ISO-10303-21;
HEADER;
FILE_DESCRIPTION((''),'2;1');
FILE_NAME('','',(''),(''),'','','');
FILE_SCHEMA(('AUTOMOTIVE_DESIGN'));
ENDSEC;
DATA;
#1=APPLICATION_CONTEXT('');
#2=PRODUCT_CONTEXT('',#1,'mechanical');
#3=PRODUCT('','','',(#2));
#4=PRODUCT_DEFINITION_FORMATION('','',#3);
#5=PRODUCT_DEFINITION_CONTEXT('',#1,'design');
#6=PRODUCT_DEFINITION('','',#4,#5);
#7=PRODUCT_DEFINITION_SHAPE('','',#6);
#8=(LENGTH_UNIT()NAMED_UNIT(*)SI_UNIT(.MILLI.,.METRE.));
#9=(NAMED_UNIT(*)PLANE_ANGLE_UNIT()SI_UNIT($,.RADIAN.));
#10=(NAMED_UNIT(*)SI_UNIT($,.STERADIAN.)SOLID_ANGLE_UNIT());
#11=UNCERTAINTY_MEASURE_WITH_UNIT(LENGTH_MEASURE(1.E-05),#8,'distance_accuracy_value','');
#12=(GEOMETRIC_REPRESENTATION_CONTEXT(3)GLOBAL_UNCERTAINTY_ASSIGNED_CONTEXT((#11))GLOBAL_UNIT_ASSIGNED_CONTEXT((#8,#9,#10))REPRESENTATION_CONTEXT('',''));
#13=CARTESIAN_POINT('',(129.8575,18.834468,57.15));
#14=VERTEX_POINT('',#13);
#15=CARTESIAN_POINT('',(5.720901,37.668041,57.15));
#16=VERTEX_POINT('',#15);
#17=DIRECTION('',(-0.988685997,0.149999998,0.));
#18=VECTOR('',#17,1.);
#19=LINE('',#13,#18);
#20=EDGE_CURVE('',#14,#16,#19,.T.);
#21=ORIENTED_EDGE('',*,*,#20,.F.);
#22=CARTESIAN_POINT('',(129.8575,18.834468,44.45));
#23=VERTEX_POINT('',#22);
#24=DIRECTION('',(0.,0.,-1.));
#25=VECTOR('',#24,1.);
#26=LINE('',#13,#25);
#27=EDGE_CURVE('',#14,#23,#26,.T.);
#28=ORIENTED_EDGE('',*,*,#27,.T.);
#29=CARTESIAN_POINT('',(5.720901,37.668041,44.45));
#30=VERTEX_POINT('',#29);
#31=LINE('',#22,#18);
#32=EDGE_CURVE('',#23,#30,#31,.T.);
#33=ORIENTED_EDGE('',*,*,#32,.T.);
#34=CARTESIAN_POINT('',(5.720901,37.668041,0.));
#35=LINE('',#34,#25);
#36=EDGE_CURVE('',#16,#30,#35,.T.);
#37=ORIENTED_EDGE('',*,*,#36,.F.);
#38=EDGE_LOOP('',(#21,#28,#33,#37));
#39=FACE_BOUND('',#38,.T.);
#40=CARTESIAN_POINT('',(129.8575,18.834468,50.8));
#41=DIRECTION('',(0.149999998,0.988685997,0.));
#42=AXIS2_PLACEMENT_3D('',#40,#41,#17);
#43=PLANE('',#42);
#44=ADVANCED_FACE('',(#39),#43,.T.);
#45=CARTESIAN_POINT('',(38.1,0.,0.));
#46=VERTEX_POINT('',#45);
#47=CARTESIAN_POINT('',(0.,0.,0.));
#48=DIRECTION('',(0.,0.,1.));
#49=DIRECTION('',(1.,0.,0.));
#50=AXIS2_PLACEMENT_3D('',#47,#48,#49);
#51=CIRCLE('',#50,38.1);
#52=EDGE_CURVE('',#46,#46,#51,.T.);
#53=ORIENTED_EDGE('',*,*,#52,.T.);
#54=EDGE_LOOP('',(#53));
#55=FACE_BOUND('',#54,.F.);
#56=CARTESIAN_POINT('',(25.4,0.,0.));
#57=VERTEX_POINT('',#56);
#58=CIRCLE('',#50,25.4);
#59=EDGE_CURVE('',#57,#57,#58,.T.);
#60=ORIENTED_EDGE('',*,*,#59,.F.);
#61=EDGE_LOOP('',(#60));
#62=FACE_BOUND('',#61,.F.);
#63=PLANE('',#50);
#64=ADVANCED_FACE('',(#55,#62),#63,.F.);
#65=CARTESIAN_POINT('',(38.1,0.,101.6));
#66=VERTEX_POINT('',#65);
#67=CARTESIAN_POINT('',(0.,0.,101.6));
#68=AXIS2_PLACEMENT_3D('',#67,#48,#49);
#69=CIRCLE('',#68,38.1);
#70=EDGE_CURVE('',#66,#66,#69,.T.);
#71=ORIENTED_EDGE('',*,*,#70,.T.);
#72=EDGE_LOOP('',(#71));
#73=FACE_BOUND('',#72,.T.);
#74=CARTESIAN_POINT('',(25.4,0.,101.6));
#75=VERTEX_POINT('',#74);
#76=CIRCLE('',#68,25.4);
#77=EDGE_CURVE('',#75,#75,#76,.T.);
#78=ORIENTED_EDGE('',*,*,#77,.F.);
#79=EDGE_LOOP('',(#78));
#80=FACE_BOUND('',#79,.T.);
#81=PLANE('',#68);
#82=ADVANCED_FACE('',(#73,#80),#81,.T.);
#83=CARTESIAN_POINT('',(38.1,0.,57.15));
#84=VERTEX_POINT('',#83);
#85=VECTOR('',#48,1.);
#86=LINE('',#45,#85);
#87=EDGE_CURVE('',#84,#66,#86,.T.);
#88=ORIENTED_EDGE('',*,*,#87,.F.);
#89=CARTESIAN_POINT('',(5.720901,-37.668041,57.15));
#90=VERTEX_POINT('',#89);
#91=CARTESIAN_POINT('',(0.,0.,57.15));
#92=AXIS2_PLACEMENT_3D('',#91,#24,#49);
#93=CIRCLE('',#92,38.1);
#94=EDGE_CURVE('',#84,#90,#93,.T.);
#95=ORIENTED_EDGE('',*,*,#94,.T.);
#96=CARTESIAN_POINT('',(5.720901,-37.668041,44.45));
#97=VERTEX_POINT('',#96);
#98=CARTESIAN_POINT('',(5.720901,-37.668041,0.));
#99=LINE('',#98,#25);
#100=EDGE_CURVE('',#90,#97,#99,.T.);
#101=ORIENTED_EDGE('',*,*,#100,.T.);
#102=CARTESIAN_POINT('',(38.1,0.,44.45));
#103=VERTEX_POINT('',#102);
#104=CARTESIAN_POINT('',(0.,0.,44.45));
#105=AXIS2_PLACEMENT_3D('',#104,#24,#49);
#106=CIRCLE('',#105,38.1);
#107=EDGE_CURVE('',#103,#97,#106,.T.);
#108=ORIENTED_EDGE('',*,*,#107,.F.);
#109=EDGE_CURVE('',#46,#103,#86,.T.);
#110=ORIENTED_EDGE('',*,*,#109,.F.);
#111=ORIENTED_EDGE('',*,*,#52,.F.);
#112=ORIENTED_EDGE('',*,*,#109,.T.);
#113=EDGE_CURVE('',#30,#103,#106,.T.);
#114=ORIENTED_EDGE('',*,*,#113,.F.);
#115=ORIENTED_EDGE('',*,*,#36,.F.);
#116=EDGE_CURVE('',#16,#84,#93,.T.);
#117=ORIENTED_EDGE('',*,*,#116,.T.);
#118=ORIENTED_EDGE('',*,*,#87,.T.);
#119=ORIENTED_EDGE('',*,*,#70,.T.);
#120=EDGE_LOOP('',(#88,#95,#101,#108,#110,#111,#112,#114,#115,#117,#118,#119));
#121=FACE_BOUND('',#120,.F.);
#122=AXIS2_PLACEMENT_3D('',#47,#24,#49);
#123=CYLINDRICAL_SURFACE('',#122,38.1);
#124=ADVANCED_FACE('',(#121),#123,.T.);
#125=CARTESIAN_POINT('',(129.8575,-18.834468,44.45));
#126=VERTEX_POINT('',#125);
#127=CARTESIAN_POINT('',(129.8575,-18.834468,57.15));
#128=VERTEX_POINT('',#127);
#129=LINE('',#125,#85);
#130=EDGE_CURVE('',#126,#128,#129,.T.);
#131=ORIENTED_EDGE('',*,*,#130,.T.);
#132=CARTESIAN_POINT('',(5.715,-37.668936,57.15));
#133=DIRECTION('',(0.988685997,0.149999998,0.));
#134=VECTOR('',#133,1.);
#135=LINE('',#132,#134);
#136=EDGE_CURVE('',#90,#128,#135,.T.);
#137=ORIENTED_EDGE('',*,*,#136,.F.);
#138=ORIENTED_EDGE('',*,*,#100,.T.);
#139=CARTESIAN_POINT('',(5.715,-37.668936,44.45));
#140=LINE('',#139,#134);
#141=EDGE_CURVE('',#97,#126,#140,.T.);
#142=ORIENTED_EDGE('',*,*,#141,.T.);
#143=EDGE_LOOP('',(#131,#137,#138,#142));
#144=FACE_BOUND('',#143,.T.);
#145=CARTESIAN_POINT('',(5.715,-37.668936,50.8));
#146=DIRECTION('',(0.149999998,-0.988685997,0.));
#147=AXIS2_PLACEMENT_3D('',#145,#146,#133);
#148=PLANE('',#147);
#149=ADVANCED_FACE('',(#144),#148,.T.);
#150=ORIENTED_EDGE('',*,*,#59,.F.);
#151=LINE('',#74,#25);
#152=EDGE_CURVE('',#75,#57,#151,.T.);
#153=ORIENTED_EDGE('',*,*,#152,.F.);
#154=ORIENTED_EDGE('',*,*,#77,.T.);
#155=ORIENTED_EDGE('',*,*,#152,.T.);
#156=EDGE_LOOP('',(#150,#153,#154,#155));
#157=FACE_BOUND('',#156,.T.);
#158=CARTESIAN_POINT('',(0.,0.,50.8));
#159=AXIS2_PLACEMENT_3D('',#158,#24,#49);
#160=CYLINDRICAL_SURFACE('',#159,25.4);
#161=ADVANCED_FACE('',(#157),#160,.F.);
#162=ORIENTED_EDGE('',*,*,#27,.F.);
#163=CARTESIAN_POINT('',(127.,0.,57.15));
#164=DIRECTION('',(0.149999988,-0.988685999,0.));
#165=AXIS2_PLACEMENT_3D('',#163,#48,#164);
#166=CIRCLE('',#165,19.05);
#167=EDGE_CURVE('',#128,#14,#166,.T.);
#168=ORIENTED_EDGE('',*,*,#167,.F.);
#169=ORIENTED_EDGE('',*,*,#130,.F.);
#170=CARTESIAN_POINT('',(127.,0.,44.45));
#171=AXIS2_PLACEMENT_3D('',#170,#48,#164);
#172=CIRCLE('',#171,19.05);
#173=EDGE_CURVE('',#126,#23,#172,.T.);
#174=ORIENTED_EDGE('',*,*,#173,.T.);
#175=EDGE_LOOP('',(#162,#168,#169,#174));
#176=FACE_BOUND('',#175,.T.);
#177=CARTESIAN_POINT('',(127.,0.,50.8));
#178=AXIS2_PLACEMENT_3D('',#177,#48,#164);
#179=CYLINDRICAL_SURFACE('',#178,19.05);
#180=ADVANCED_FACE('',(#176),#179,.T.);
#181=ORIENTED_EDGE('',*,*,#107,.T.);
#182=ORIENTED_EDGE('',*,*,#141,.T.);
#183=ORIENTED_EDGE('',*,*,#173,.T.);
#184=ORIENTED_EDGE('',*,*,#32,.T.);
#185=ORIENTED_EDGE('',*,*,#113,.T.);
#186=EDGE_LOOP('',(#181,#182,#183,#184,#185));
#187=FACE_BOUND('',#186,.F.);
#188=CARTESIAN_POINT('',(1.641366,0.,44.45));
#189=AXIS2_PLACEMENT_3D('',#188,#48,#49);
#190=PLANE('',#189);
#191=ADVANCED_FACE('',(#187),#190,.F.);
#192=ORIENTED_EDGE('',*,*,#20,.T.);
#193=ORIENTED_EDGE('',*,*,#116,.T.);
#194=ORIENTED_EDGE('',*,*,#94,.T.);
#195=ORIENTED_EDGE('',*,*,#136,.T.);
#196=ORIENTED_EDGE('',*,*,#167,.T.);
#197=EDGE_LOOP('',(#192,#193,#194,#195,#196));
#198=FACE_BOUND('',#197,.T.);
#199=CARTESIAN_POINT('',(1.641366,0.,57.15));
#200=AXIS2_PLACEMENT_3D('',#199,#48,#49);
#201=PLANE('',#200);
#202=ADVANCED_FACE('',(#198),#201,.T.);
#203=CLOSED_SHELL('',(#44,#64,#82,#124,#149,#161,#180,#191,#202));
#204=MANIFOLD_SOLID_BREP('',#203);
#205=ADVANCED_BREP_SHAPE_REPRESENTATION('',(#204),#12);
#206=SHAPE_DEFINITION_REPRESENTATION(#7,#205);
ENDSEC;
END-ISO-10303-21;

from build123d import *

# Parameters (mm, degrees)
F0_R     = 38.1
F0_R_2   = 25.4
F1_DEPTH = 101.6
F3_R     = 25.4
F4_DEPTH = 6.35


with BuildPart() as f1:
    # F0 (on Top) → F1 (new body)
    with BuildSketch(Plane.XY):
        Circle(F0_R)
        Circle(F0_R_2, mode=Mode.SUBTRACT)
    extrude(amount=F1_DEPTH)

    # F3 (on offset) → F4 (join, symmetric)
    with BuildSketch(Plane.XY.offset(50.8)):
        with BuildLine():
            ThreePointArc((5.715, -37.668936), (28.890755, -24.838161), (38.1, 0))
            ThreePointArc((38.1, 0), (28.890755, 24.838161), (5.715, 37.668936))
            ThreePointArc((5.715, 37.668936), (-38.1, 0), (5.715, -37.668936))
        make_face()
        Circle(F3_R, mode=Mode.SUBTRACT)
        with BuildLine():
            ThreePointArc((5.715, 37.668936), (28.890755, 24.838161), (38.1, 0))
            ThreePointArc((38.1, 0), (28.890755, -24.838161), (5.715, -37.668936))
            Line((5.715, -37.668936), (129.8575, -18.834468))
            ThreePointArc((129.8575, -18.834468), (146.05, 0), (129.8575, 18.834468))
            Line((129.8575, 18.834468), (5.715, 37.668936))
        make_face()
    extrude(amount=F4_DEPTH, both=True)


solid = f1.part
